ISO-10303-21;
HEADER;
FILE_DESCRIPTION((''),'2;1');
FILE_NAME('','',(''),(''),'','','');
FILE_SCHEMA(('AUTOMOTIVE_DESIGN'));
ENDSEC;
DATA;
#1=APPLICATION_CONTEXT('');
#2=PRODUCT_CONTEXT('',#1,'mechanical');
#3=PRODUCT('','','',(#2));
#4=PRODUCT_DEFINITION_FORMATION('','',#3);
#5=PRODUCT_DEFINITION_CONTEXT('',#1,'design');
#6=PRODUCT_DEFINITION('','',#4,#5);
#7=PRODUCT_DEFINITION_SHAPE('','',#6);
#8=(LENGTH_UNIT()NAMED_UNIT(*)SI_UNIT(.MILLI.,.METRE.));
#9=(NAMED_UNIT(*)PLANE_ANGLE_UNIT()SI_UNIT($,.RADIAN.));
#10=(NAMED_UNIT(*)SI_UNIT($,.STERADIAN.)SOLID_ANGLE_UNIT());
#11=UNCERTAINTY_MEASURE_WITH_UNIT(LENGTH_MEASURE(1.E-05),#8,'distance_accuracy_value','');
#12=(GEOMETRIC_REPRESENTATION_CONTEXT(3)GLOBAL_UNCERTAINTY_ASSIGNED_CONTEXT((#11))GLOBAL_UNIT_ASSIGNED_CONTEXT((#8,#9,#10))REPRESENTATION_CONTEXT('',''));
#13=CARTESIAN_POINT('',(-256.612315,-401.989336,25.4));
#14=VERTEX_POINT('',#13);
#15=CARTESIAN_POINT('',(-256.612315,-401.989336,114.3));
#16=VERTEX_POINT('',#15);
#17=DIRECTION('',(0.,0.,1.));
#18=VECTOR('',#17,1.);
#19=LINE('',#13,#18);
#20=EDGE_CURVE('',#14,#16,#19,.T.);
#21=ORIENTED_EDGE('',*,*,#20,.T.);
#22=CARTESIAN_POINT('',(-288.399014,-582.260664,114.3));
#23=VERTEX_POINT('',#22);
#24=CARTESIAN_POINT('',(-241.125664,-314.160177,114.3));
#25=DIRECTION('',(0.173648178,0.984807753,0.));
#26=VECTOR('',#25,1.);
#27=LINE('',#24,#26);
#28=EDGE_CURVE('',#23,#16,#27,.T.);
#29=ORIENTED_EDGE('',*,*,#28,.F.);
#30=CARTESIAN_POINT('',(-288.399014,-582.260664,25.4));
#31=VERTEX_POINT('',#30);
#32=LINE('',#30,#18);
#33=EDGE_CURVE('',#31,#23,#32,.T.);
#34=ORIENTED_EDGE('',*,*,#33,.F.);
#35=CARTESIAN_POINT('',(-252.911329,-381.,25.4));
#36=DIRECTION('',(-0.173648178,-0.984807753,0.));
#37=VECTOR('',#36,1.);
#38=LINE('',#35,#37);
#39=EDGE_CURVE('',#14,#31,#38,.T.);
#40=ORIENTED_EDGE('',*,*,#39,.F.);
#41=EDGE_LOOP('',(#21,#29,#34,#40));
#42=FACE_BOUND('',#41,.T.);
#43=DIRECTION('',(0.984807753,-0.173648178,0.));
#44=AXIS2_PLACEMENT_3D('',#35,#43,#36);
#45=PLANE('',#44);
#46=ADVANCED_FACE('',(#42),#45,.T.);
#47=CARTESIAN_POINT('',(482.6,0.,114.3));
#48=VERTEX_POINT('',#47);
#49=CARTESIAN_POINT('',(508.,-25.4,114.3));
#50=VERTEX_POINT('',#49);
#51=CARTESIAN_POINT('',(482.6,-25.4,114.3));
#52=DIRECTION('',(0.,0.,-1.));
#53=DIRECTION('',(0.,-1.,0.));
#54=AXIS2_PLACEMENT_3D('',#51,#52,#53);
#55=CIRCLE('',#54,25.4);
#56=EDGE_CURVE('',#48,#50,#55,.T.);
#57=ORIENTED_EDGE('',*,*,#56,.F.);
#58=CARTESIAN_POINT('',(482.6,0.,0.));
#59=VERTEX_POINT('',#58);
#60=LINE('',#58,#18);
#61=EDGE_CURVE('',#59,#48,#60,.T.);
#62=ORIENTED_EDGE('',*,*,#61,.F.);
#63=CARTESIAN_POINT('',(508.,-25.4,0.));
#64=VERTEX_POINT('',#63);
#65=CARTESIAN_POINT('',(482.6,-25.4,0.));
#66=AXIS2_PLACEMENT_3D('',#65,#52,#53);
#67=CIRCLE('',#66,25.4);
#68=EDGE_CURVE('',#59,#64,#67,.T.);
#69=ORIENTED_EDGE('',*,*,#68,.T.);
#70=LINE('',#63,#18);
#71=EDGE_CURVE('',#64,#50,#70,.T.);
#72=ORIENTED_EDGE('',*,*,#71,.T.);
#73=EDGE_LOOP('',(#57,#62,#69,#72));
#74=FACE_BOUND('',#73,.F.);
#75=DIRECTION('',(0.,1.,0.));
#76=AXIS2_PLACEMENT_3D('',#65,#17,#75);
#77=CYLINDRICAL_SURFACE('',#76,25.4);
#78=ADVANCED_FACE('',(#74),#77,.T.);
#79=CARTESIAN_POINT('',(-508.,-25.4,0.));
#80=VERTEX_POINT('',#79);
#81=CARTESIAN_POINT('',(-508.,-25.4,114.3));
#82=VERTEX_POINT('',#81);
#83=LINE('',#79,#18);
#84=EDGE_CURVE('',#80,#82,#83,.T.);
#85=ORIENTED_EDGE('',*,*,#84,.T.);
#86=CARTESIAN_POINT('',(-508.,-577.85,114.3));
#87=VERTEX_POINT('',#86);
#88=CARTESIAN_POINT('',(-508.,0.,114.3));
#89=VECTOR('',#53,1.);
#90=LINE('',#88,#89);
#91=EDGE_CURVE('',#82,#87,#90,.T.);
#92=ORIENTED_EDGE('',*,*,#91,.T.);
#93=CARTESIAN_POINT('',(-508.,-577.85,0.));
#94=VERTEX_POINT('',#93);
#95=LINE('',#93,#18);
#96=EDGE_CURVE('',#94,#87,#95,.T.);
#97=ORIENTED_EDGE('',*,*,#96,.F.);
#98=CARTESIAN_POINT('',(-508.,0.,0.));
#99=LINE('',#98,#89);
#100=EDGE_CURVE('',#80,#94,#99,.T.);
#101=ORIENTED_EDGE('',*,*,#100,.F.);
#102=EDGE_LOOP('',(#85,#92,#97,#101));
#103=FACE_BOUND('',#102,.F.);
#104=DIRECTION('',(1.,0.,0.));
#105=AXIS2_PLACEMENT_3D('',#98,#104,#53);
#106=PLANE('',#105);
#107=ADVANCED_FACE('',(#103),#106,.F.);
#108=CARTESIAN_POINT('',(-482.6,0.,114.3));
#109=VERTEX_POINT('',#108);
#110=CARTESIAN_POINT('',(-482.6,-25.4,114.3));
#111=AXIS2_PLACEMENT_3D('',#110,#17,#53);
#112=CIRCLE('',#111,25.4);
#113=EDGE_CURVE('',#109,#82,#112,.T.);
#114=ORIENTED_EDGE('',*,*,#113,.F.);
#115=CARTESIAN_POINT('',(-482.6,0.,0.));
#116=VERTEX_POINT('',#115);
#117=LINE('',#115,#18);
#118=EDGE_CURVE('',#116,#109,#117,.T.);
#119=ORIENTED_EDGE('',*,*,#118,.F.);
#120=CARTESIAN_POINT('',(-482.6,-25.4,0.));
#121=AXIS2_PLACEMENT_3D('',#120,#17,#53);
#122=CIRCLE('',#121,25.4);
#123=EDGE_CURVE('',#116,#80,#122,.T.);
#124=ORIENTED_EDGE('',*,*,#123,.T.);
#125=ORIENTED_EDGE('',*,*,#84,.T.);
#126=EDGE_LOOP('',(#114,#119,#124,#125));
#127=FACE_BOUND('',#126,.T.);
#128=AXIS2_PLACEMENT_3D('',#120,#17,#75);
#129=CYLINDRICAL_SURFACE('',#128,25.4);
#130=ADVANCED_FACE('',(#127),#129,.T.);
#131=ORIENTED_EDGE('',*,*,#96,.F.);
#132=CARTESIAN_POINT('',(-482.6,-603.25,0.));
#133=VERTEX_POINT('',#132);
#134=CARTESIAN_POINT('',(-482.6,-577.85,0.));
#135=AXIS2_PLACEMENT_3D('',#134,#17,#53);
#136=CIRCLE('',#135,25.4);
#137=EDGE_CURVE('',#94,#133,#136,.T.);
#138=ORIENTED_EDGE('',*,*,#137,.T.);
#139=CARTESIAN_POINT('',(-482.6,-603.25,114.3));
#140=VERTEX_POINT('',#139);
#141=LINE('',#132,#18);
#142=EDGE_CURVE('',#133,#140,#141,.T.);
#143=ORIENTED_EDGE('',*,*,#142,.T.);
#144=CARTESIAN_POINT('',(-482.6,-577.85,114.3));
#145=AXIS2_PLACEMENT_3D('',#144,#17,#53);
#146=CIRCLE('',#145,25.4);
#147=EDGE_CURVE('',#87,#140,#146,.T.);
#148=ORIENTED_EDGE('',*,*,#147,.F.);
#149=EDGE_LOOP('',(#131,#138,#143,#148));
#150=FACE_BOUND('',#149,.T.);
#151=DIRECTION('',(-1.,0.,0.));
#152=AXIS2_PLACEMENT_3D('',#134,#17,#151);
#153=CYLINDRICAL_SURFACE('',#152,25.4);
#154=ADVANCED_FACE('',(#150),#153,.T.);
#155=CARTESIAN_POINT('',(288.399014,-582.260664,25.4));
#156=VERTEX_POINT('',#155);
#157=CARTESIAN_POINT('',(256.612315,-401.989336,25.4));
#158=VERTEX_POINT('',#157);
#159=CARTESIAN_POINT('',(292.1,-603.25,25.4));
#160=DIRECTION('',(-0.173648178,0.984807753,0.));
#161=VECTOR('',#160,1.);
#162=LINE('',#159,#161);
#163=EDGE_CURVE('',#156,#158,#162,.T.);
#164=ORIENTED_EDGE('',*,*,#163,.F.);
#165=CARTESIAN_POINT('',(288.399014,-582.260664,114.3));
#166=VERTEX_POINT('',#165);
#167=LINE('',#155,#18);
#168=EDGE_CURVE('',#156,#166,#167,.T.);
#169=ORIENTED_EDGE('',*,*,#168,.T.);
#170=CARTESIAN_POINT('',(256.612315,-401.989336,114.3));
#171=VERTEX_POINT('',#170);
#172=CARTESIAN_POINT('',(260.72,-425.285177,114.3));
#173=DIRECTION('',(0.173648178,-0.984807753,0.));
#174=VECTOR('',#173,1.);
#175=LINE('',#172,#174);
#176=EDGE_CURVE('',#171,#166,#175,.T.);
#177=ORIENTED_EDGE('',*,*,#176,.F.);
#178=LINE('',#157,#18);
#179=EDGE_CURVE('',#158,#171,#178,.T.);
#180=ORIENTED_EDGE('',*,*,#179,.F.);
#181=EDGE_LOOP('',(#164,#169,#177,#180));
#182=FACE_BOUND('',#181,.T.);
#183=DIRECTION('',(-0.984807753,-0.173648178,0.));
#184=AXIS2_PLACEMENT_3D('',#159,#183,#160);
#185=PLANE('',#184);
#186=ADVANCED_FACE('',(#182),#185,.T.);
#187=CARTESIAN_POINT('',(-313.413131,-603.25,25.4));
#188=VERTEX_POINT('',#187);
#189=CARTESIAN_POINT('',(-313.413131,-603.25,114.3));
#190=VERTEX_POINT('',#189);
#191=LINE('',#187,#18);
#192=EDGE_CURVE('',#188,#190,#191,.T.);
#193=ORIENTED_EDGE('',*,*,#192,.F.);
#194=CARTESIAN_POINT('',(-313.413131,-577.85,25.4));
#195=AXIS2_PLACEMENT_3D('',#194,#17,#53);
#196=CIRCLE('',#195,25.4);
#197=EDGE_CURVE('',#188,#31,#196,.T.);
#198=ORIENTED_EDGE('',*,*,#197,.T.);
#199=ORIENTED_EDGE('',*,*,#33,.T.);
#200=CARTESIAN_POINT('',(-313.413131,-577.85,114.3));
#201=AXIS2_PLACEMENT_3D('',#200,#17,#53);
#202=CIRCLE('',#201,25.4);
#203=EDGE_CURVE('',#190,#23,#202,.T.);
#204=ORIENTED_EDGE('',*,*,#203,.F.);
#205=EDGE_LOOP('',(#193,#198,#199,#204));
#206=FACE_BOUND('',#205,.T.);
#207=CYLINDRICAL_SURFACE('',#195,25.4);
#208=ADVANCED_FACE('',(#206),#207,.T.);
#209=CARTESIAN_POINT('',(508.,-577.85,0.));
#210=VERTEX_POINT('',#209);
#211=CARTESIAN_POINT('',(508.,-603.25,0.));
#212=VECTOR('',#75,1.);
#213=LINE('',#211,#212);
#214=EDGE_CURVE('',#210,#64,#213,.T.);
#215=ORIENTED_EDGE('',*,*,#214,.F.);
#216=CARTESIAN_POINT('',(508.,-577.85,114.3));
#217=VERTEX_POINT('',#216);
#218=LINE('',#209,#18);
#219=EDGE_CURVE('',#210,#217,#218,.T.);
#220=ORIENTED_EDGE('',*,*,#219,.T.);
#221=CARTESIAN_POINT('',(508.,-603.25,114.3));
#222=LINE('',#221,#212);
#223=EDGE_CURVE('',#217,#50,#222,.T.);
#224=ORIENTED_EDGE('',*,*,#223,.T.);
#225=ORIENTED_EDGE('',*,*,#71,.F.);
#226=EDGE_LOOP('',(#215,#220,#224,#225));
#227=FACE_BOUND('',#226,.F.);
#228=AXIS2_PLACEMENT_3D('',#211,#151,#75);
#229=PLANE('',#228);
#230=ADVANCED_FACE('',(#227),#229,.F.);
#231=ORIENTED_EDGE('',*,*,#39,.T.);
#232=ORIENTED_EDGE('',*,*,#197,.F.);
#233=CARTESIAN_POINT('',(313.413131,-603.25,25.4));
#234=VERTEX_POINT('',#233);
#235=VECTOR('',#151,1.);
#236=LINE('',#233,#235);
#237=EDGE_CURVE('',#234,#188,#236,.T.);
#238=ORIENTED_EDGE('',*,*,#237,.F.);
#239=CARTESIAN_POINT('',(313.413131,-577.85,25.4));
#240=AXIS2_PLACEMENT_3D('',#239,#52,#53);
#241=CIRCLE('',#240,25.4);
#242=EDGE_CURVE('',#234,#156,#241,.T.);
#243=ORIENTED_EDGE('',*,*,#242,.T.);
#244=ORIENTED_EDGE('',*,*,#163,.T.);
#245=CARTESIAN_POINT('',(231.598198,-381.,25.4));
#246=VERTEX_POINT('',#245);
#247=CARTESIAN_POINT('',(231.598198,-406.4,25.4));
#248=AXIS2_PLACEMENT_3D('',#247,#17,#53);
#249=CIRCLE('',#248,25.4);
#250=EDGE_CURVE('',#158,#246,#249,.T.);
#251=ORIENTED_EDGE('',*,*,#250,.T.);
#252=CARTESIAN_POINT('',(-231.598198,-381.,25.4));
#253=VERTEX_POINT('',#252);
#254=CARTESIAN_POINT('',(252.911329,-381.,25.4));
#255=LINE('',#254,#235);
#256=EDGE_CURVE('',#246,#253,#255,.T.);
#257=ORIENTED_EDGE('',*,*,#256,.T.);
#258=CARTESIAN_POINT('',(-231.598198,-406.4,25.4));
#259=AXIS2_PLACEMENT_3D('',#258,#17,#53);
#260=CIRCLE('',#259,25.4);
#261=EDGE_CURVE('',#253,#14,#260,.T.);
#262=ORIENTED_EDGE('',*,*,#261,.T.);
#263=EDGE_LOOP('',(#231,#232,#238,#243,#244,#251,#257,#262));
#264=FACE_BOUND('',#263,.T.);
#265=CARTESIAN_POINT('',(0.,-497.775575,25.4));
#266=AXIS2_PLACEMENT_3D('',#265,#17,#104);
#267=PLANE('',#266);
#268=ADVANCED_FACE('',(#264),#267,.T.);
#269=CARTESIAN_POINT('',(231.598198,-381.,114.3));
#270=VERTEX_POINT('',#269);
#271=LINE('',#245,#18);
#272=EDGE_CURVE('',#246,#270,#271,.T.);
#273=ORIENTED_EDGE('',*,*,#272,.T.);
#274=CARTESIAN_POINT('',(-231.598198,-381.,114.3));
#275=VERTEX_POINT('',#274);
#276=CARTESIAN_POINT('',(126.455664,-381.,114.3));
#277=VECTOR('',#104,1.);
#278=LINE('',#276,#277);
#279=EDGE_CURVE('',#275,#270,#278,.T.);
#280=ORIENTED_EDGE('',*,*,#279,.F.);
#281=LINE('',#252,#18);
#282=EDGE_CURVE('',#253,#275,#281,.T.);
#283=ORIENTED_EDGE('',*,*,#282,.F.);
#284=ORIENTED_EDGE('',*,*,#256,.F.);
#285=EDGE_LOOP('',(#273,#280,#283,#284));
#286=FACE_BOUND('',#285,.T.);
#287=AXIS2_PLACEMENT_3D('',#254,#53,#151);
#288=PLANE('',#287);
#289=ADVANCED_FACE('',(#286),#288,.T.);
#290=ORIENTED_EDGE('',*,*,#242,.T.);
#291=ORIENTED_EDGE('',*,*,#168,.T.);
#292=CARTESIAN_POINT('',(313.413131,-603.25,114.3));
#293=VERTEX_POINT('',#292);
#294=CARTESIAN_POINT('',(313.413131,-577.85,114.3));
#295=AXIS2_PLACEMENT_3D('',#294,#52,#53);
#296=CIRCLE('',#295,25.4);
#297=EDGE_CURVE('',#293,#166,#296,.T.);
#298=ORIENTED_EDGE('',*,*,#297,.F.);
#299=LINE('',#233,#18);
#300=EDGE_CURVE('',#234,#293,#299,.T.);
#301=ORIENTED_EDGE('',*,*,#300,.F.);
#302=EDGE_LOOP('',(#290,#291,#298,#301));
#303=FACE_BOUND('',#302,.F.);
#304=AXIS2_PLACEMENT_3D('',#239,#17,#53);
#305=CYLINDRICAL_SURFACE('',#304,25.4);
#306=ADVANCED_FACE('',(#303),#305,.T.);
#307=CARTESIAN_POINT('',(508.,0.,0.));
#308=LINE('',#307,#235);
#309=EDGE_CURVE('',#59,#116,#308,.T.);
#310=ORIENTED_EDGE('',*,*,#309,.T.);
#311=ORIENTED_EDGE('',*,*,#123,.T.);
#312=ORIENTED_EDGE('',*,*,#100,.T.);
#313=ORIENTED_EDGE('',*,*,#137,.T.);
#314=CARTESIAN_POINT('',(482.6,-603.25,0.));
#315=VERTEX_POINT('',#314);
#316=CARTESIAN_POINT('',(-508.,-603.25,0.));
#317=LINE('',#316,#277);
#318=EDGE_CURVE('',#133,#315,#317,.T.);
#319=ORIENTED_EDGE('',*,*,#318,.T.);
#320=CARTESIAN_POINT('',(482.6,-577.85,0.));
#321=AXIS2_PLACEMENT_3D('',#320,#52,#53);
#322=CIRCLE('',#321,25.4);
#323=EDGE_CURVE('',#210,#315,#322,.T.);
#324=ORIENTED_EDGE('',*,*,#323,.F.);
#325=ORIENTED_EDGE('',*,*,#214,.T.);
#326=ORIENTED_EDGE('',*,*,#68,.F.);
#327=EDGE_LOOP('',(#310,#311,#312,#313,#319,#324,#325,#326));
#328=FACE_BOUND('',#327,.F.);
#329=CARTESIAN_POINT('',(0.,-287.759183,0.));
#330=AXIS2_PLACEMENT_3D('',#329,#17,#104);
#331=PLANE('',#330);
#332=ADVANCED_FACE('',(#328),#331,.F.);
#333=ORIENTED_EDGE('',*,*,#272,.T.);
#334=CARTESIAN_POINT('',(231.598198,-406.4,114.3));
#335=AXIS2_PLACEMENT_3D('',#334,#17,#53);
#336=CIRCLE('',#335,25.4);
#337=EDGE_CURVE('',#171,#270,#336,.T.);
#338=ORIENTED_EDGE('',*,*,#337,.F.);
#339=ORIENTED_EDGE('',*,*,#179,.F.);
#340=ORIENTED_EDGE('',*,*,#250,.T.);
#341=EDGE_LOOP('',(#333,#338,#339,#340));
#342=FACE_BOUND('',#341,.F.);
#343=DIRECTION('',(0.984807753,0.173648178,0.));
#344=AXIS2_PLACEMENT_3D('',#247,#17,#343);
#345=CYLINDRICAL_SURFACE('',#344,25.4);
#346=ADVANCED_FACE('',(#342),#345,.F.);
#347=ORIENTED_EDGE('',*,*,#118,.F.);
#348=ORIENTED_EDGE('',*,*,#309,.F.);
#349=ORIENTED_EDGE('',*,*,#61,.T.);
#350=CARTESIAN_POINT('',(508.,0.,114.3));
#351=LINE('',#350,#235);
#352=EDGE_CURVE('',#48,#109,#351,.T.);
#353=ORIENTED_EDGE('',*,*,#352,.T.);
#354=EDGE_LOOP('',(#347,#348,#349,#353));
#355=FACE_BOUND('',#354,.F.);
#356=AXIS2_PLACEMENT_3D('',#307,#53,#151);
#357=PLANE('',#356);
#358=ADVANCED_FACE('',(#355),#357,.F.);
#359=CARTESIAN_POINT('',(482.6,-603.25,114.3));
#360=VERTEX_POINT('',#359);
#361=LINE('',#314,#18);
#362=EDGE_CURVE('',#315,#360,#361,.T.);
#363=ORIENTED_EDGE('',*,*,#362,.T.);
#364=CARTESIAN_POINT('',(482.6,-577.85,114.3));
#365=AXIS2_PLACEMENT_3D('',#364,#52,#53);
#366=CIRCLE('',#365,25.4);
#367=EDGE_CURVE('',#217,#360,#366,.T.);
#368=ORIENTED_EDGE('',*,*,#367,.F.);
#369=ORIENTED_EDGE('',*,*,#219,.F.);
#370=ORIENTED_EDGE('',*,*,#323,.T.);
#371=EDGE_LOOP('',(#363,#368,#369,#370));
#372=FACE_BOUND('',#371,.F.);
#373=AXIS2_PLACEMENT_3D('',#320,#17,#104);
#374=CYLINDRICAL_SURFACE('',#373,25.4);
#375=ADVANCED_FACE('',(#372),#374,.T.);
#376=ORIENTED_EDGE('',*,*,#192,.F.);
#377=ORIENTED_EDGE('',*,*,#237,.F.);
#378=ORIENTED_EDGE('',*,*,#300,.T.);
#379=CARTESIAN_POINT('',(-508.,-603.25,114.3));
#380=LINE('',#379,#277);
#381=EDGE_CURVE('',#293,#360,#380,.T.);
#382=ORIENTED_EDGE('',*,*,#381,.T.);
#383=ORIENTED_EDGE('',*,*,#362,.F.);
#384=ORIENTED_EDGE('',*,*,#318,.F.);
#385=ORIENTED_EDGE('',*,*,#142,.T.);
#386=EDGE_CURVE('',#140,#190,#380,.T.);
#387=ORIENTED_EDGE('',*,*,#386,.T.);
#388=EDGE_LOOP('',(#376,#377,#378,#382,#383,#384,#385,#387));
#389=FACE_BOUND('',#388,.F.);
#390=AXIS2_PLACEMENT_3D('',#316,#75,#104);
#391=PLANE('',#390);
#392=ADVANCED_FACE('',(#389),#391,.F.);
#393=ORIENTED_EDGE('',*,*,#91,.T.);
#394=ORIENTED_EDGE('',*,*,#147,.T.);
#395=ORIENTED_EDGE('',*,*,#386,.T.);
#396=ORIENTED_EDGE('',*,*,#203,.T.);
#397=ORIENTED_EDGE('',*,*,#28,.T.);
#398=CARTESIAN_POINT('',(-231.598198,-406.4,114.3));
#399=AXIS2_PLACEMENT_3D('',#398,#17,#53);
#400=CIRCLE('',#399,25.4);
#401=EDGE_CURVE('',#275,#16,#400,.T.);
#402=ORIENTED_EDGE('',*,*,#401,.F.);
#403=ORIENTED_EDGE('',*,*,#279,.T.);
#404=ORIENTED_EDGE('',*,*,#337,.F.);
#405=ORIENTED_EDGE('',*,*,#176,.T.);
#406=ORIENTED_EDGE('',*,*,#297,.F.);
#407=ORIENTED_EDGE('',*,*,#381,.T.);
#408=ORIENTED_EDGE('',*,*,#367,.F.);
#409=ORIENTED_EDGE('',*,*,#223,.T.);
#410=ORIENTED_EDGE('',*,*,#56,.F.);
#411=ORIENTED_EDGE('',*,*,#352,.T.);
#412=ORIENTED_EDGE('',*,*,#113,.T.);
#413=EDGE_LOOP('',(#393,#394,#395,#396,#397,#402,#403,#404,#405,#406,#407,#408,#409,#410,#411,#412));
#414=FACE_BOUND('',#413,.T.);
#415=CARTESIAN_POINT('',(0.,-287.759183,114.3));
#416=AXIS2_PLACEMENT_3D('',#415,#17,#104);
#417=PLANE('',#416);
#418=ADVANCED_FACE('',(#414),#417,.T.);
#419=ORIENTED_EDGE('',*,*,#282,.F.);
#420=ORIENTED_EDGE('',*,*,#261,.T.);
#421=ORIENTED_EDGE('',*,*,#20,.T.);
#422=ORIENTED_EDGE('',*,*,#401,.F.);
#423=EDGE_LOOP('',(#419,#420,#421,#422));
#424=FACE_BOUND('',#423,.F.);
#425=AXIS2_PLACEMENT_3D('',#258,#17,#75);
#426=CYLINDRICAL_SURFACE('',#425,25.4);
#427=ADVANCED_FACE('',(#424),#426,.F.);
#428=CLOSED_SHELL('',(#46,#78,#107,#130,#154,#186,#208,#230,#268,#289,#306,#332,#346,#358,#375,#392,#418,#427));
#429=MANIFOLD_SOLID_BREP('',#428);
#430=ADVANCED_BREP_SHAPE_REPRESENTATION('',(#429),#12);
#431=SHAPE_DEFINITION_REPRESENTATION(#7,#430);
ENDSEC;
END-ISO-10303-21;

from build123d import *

# Parameters (mm, degrees)
F1_DEPTH = 114.3
F2_START = 25.4
F2_DEPTH = 88.901
F3_R     = 25.4


with BuildPart() as f1:
    # F0 (on Top) → F1 (new body)
    with BuildSketch(Plane.XY):
        Polygon((508, 0), (-508, 0), (-508, -603.25), (-292.1, -603.25), (-252.9113285375, -381), (252.9113285375, -381), (292.1, -603.25), (508, -603.25), align=None)
        Polygon((-252.9113285375, -381), (-292.1, -603.25), (292.1, -603.25), (252.9113285375, -381), align=None)
    extrude(amount=F1_DEPTH)

    # F0 (on Top) → F2 (cut)
    with BuildSketch(Plane.XY.offset(F2_START)):
        Polygon((-252.9113285375, -381), (-292.1, -603.25), (292.1, -603.25), (252.9113285375, -381), align=None)
    extrude(amount=F2_DEPTH, mode=Mode.SUBTRACT)

    # F3
    f3_edges = [f1.edges().sort_by_distance(p)[0] for p in [
        (-508, -603.25, 57.15),
        (508, -603.25, 57.15),
        (-292.1, -603.25, 69.85),
        (-252.911329, -381, 69.85),
        (292.1, -603.25, 69.85),
        (508, 0, 57.15),
        (252.911329, -381, 69.85),
        (-508, 0, 57.15),
    ]]
    fillet(f3_edges, radius=F3_R)


solid = f1.part
